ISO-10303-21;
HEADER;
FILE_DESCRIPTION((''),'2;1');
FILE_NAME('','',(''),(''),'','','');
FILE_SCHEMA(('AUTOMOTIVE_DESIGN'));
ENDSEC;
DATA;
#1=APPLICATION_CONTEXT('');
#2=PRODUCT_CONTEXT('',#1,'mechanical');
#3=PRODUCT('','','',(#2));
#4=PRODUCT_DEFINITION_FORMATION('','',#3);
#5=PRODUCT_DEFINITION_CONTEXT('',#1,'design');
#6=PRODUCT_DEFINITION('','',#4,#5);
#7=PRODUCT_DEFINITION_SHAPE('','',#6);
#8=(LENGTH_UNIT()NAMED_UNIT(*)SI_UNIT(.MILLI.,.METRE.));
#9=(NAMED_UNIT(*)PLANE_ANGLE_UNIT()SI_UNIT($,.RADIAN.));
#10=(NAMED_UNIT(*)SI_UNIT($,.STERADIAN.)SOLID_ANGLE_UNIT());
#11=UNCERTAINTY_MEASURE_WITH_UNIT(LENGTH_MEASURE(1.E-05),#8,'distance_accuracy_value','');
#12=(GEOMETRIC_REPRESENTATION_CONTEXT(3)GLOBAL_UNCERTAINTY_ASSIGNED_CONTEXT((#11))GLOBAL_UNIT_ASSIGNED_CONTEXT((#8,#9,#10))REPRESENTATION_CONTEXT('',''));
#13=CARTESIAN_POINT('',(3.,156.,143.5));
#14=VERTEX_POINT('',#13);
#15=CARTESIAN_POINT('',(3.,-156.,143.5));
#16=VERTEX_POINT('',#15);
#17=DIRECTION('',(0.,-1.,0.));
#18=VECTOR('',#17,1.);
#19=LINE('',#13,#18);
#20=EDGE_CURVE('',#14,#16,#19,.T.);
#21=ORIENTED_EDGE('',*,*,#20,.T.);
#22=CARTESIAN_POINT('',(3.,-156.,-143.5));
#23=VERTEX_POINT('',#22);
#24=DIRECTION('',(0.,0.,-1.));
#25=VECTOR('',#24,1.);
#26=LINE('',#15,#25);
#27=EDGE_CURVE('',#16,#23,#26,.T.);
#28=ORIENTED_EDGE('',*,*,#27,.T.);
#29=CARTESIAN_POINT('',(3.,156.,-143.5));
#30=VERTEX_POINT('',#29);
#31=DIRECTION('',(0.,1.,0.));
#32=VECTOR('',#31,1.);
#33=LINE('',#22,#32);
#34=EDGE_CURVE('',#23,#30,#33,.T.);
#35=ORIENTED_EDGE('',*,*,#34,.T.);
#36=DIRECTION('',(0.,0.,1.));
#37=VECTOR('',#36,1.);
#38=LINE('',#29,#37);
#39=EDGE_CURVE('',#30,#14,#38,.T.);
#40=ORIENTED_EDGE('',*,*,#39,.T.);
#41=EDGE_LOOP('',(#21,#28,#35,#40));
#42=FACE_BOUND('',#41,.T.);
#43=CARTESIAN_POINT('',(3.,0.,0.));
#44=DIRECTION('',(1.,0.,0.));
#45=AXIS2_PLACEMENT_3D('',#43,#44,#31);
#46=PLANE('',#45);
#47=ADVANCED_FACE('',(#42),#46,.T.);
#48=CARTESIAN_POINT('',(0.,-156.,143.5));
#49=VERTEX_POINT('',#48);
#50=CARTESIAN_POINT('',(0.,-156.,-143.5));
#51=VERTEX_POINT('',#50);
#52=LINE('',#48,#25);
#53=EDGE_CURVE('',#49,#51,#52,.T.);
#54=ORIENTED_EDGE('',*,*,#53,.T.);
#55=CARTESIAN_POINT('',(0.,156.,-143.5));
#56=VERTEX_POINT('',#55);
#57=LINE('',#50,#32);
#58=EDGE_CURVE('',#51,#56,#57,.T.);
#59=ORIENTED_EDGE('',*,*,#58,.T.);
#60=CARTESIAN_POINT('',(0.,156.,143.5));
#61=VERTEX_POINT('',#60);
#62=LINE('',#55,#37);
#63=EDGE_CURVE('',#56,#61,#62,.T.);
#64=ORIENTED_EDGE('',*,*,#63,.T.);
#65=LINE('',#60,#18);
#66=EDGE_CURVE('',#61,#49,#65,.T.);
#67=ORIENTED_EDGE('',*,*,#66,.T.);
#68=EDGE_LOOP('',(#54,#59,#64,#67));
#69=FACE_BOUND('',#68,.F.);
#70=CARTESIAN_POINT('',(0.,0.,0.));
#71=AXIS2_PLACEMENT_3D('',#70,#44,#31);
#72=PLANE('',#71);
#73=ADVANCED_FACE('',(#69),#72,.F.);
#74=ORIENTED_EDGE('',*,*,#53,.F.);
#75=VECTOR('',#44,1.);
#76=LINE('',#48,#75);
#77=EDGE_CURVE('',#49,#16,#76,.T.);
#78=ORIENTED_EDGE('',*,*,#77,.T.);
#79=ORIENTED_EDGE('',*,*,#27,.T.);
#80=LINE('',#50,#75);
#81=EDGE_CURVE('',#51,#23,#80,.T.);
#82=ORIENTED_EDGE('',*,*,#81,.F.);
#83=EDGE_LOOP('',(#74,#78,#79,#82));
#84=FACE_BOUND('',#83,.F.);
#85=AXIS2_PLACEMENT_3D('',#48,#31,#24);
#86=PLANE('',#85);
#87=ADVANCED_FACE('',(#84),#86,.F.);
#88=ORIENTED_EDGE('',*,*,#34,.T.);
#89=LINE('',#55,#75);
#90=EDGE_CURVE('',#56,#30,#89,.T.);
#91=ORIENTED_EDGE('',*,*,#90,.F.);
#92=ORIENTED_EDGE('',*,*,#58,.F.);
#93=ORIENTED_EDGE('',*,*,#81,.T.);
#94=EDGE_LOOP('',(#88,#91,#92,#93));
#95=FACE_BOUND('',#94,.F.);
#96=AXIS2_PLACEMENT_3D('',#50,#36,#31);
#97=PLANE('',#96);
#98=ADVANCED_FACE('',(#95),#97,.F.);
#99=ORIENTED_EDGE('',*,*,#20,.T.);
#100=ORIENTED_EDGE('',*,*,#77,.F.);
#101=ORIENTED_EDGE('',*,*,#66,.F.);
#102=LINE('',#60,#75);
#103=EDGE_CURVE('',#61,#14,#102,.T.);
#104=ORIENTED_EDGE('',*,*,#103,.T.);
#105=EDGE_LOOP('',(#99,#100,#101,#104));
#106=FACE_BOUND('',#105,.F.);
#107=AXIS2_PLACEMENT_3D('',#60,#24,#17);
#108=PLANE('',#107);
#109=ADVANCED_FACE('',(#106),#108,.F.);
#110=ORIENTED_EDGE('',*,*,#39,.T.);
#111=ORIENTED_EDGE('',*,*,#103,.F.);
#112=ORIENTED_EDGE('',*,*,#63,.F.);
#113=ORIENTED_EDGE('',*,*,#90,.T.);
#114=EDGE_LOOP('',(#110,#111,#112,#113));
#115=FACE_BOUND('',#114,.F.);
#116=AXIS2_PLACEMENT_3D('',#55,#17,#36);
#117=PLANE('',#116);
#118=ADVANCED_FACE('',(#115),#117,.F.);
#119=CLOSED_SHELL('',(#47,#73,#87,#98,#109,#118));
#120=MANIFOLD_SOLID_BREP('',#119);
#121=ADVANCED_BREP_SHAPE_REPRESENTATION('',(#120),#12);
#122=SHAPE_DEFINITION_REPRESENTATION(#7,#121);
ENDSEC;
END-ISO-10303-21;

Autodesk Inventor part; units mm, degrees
ref_plane "YZ Plane" through (0, 0, 0) normal (1, 0, 0) x (0, 1, 0)
ref_plane "XZ Plane" through (0, 0, 0) normal (0, 1, 0) x (-1, 0, 0)
ref_plane "XY Plane" through (0, 0, 0) normal (0, 0, 1) x (1, 0, 0)
sketch "Sketch1" plane through (0, 0, 0) normal (1, 0, 0) x (0, 1, 0)
  line L0 (156, 143.5) -> (-156, 143.5)
  line L1 (-156, 143.5) -> (-156, -143.5)
  line L2 (-156, -143.5) -> (156, -143.5)
  line L3 (156, -143.5) -> (156, 143.5)
  line L4 (156, 143.5) -> (-156, -143.5) construction
  line L5 (-156, 143.5) -> (156, -143.5) construction
  point P0 (0, 0)
  dimension "d0" = 312
  dimension "d1" = 287
extrude "Extrusion1" add sketch "Sketch1" along normal blind 3
properties part number "Front_left"
